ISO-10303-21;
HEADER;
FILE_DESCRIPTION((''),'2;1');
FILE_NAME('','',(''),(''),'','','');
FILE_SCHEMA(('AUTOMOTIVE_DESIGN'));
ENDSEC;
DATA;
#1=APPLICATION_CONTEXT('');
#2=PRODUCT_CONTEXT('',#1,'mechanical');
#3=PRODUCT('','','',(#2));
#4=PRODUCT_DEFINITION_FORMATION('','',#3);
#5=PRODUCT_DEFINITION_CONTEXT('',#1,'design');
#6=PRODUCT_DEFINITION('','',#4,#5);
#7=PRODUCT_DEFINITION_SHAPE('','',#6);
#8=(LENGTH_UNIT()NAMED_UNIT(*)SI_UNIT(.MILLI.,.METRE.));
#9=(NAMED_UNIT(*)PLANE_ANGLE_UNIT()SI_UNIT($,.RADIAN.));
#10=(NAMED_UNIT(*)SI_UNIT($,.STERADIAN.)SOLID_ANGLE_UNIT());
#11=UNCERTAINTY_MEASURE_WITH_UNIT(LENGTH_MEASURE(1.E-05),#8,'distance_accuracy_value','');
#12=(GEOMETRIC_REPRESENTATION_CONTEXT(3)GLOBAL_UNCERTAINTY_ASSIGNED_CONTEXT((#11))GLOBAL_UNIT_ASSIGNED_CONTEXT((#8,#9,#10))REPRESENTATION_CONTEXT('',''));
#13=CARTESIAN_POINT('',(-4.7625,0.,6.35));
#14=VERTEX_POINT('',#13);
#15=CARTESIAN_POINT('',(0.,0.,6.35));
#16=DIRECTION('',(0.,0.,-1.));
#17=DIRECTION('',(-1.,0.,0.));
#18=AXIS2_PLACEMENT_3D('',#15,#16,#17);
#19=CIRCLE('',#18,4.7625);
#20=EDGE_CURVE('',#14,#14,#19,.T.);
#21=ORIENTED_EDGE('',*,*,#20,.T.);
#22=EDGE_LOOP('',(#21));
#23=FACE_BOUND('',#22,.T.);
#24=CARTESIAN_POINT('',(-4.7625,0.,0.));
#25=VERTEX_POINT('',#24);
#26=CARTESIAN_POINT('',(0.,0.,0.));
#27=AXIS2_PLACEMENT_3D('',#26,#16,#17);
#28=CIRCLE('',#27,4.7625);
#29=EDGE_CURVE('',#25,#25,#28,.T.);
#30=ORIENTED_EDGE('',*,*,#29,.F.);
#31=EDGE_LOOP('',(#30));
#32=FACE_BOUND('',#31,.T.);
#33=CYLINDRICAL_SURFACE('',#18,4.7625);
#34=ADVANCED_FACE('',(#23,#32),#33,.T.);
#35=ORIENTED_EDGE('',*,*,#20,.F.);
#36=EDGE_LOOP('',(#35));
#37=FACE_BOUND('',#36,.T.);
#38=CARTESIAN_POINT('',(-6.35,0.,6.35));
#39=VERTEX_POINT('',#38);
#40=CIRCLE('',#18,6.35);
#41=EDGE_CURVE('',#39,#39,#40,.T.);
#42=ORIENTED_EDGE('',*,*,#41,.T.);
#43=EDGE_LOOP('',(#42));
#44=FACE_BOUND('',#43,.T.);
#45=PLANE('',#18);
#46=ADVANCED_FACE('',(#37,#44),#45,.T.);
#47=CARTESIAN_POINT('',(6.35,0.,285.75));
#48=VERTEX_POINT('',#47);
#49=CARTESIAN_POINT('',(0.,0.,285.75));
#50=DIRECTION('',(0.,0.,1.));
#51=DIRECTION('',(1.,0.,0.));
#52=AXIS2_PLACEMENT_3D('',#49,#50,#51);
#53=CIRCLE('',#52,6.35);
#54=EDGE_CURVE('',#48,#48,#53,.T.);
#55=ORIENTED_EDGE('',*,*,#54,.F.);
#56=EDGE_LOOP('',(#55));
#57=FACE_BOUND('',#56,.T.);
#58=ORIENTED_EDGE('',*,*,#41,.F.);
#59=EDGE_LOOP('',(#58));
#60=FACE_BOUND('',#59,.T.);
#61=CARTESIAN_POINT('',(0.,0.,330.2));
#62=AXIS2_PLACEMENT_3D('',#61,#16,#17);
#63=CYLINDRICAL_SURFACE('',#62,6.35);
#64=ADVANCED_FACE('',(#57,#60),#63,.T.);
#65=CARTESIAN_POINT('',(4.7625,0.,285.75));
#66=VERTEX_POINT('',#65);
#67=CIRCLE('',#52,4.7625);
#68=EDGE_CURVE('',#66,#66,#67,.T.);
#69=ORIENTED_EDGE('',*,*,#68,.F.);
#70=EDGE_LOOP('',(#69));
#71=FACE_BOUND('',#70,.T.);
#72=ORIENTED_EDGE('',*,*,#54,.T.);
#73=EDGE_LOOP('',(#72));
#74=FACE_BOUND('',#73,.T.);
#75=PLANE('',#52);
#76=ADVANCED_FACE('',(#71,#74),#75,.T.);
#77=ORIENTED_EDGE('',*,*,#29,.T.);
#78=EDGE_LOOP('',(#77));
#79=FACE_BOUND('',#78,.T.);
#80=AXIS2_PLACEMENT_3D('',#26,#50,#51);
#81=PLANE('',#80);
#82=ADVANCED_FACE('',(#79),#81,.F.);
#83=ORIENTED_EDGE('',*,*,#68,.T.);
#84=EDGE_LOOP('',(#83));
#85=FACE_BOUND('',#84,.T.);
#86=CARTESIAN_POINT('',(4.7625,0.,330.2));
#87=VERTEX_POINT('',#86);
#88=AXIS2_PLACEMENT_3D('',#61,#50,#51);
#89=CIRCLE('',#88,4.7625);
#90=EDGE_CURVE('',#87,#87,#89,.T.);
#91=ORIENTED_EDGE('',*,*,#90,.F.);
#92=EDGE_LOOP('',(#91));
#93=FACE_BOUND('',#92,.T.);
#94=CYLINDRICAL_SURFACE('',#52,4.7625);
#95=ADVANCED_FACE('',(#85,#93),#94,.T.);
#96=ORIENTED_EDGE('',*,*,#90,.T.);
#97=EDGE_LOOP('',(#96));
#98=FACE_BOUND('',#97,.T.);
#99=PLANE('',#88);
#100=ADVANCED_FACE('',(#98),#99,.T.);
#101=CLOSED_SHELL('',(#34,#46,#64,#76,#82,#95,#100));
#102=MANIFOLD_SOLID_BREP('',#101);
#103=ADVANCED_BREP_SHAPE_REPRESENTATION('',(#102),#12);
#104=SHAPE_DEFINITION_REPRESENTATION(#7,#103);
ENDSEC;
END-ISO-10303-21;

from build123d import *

# Parameters (mm, degrees)
SKETCH1_R           = 6.35
BOSS_EXTRUDE1_DEPTH = 330.2
CUT_EXTRUDE1_START  = -44.45
SKETCH2_R           = 6.35
SKETCH2_R_2         = 4.7625
CUT_EXTRUDE1_DEPTH  = 44.45
SKETCH3_R           = 6.35
SKETCH3_R_2         = 4.7625
CUT_EXTRUDE2_DEPTH  = 6.35


with BuildPart() as part:
    # Sketch1 → Boss-Extrude1 (new body)
    with BuildSketch(Plane.XY):
        Circle(SKETCH1_R)
    extrude(amount=BOSS_EXTRUDE1_DEPTH)

    # Sketch2 → Cut-Extrude1 (cut)
    with BuildSketch(Plane.XY.offset(330.2).offset(CUT_EXTRUDE1_START)):
        Circle(SKETCH2_R)
        Circle(SKETCH2_R_2, mode=Mode.SUBTRACT)
    extrude(amount=CUT_EXTRUDE1_DEPTH, mode=Mode.SUBTRACT)

    # Sketch3 → Cut-Extrude2 (cut)
    with BuildSketch(Plane(origin=(0, 0, 0), x_dir=(-1, 0, 0), z_dir=(0, 0, -1))):
        Circle(SKETCH3_R)
        Circle(SKETCH3_R_2, mode=Mode.SUBTRACT)
    extrude(amount=-CUT_EXTRUDE2_DEPTH, mode=Mode.SUBTRACT)


solid = part.part
